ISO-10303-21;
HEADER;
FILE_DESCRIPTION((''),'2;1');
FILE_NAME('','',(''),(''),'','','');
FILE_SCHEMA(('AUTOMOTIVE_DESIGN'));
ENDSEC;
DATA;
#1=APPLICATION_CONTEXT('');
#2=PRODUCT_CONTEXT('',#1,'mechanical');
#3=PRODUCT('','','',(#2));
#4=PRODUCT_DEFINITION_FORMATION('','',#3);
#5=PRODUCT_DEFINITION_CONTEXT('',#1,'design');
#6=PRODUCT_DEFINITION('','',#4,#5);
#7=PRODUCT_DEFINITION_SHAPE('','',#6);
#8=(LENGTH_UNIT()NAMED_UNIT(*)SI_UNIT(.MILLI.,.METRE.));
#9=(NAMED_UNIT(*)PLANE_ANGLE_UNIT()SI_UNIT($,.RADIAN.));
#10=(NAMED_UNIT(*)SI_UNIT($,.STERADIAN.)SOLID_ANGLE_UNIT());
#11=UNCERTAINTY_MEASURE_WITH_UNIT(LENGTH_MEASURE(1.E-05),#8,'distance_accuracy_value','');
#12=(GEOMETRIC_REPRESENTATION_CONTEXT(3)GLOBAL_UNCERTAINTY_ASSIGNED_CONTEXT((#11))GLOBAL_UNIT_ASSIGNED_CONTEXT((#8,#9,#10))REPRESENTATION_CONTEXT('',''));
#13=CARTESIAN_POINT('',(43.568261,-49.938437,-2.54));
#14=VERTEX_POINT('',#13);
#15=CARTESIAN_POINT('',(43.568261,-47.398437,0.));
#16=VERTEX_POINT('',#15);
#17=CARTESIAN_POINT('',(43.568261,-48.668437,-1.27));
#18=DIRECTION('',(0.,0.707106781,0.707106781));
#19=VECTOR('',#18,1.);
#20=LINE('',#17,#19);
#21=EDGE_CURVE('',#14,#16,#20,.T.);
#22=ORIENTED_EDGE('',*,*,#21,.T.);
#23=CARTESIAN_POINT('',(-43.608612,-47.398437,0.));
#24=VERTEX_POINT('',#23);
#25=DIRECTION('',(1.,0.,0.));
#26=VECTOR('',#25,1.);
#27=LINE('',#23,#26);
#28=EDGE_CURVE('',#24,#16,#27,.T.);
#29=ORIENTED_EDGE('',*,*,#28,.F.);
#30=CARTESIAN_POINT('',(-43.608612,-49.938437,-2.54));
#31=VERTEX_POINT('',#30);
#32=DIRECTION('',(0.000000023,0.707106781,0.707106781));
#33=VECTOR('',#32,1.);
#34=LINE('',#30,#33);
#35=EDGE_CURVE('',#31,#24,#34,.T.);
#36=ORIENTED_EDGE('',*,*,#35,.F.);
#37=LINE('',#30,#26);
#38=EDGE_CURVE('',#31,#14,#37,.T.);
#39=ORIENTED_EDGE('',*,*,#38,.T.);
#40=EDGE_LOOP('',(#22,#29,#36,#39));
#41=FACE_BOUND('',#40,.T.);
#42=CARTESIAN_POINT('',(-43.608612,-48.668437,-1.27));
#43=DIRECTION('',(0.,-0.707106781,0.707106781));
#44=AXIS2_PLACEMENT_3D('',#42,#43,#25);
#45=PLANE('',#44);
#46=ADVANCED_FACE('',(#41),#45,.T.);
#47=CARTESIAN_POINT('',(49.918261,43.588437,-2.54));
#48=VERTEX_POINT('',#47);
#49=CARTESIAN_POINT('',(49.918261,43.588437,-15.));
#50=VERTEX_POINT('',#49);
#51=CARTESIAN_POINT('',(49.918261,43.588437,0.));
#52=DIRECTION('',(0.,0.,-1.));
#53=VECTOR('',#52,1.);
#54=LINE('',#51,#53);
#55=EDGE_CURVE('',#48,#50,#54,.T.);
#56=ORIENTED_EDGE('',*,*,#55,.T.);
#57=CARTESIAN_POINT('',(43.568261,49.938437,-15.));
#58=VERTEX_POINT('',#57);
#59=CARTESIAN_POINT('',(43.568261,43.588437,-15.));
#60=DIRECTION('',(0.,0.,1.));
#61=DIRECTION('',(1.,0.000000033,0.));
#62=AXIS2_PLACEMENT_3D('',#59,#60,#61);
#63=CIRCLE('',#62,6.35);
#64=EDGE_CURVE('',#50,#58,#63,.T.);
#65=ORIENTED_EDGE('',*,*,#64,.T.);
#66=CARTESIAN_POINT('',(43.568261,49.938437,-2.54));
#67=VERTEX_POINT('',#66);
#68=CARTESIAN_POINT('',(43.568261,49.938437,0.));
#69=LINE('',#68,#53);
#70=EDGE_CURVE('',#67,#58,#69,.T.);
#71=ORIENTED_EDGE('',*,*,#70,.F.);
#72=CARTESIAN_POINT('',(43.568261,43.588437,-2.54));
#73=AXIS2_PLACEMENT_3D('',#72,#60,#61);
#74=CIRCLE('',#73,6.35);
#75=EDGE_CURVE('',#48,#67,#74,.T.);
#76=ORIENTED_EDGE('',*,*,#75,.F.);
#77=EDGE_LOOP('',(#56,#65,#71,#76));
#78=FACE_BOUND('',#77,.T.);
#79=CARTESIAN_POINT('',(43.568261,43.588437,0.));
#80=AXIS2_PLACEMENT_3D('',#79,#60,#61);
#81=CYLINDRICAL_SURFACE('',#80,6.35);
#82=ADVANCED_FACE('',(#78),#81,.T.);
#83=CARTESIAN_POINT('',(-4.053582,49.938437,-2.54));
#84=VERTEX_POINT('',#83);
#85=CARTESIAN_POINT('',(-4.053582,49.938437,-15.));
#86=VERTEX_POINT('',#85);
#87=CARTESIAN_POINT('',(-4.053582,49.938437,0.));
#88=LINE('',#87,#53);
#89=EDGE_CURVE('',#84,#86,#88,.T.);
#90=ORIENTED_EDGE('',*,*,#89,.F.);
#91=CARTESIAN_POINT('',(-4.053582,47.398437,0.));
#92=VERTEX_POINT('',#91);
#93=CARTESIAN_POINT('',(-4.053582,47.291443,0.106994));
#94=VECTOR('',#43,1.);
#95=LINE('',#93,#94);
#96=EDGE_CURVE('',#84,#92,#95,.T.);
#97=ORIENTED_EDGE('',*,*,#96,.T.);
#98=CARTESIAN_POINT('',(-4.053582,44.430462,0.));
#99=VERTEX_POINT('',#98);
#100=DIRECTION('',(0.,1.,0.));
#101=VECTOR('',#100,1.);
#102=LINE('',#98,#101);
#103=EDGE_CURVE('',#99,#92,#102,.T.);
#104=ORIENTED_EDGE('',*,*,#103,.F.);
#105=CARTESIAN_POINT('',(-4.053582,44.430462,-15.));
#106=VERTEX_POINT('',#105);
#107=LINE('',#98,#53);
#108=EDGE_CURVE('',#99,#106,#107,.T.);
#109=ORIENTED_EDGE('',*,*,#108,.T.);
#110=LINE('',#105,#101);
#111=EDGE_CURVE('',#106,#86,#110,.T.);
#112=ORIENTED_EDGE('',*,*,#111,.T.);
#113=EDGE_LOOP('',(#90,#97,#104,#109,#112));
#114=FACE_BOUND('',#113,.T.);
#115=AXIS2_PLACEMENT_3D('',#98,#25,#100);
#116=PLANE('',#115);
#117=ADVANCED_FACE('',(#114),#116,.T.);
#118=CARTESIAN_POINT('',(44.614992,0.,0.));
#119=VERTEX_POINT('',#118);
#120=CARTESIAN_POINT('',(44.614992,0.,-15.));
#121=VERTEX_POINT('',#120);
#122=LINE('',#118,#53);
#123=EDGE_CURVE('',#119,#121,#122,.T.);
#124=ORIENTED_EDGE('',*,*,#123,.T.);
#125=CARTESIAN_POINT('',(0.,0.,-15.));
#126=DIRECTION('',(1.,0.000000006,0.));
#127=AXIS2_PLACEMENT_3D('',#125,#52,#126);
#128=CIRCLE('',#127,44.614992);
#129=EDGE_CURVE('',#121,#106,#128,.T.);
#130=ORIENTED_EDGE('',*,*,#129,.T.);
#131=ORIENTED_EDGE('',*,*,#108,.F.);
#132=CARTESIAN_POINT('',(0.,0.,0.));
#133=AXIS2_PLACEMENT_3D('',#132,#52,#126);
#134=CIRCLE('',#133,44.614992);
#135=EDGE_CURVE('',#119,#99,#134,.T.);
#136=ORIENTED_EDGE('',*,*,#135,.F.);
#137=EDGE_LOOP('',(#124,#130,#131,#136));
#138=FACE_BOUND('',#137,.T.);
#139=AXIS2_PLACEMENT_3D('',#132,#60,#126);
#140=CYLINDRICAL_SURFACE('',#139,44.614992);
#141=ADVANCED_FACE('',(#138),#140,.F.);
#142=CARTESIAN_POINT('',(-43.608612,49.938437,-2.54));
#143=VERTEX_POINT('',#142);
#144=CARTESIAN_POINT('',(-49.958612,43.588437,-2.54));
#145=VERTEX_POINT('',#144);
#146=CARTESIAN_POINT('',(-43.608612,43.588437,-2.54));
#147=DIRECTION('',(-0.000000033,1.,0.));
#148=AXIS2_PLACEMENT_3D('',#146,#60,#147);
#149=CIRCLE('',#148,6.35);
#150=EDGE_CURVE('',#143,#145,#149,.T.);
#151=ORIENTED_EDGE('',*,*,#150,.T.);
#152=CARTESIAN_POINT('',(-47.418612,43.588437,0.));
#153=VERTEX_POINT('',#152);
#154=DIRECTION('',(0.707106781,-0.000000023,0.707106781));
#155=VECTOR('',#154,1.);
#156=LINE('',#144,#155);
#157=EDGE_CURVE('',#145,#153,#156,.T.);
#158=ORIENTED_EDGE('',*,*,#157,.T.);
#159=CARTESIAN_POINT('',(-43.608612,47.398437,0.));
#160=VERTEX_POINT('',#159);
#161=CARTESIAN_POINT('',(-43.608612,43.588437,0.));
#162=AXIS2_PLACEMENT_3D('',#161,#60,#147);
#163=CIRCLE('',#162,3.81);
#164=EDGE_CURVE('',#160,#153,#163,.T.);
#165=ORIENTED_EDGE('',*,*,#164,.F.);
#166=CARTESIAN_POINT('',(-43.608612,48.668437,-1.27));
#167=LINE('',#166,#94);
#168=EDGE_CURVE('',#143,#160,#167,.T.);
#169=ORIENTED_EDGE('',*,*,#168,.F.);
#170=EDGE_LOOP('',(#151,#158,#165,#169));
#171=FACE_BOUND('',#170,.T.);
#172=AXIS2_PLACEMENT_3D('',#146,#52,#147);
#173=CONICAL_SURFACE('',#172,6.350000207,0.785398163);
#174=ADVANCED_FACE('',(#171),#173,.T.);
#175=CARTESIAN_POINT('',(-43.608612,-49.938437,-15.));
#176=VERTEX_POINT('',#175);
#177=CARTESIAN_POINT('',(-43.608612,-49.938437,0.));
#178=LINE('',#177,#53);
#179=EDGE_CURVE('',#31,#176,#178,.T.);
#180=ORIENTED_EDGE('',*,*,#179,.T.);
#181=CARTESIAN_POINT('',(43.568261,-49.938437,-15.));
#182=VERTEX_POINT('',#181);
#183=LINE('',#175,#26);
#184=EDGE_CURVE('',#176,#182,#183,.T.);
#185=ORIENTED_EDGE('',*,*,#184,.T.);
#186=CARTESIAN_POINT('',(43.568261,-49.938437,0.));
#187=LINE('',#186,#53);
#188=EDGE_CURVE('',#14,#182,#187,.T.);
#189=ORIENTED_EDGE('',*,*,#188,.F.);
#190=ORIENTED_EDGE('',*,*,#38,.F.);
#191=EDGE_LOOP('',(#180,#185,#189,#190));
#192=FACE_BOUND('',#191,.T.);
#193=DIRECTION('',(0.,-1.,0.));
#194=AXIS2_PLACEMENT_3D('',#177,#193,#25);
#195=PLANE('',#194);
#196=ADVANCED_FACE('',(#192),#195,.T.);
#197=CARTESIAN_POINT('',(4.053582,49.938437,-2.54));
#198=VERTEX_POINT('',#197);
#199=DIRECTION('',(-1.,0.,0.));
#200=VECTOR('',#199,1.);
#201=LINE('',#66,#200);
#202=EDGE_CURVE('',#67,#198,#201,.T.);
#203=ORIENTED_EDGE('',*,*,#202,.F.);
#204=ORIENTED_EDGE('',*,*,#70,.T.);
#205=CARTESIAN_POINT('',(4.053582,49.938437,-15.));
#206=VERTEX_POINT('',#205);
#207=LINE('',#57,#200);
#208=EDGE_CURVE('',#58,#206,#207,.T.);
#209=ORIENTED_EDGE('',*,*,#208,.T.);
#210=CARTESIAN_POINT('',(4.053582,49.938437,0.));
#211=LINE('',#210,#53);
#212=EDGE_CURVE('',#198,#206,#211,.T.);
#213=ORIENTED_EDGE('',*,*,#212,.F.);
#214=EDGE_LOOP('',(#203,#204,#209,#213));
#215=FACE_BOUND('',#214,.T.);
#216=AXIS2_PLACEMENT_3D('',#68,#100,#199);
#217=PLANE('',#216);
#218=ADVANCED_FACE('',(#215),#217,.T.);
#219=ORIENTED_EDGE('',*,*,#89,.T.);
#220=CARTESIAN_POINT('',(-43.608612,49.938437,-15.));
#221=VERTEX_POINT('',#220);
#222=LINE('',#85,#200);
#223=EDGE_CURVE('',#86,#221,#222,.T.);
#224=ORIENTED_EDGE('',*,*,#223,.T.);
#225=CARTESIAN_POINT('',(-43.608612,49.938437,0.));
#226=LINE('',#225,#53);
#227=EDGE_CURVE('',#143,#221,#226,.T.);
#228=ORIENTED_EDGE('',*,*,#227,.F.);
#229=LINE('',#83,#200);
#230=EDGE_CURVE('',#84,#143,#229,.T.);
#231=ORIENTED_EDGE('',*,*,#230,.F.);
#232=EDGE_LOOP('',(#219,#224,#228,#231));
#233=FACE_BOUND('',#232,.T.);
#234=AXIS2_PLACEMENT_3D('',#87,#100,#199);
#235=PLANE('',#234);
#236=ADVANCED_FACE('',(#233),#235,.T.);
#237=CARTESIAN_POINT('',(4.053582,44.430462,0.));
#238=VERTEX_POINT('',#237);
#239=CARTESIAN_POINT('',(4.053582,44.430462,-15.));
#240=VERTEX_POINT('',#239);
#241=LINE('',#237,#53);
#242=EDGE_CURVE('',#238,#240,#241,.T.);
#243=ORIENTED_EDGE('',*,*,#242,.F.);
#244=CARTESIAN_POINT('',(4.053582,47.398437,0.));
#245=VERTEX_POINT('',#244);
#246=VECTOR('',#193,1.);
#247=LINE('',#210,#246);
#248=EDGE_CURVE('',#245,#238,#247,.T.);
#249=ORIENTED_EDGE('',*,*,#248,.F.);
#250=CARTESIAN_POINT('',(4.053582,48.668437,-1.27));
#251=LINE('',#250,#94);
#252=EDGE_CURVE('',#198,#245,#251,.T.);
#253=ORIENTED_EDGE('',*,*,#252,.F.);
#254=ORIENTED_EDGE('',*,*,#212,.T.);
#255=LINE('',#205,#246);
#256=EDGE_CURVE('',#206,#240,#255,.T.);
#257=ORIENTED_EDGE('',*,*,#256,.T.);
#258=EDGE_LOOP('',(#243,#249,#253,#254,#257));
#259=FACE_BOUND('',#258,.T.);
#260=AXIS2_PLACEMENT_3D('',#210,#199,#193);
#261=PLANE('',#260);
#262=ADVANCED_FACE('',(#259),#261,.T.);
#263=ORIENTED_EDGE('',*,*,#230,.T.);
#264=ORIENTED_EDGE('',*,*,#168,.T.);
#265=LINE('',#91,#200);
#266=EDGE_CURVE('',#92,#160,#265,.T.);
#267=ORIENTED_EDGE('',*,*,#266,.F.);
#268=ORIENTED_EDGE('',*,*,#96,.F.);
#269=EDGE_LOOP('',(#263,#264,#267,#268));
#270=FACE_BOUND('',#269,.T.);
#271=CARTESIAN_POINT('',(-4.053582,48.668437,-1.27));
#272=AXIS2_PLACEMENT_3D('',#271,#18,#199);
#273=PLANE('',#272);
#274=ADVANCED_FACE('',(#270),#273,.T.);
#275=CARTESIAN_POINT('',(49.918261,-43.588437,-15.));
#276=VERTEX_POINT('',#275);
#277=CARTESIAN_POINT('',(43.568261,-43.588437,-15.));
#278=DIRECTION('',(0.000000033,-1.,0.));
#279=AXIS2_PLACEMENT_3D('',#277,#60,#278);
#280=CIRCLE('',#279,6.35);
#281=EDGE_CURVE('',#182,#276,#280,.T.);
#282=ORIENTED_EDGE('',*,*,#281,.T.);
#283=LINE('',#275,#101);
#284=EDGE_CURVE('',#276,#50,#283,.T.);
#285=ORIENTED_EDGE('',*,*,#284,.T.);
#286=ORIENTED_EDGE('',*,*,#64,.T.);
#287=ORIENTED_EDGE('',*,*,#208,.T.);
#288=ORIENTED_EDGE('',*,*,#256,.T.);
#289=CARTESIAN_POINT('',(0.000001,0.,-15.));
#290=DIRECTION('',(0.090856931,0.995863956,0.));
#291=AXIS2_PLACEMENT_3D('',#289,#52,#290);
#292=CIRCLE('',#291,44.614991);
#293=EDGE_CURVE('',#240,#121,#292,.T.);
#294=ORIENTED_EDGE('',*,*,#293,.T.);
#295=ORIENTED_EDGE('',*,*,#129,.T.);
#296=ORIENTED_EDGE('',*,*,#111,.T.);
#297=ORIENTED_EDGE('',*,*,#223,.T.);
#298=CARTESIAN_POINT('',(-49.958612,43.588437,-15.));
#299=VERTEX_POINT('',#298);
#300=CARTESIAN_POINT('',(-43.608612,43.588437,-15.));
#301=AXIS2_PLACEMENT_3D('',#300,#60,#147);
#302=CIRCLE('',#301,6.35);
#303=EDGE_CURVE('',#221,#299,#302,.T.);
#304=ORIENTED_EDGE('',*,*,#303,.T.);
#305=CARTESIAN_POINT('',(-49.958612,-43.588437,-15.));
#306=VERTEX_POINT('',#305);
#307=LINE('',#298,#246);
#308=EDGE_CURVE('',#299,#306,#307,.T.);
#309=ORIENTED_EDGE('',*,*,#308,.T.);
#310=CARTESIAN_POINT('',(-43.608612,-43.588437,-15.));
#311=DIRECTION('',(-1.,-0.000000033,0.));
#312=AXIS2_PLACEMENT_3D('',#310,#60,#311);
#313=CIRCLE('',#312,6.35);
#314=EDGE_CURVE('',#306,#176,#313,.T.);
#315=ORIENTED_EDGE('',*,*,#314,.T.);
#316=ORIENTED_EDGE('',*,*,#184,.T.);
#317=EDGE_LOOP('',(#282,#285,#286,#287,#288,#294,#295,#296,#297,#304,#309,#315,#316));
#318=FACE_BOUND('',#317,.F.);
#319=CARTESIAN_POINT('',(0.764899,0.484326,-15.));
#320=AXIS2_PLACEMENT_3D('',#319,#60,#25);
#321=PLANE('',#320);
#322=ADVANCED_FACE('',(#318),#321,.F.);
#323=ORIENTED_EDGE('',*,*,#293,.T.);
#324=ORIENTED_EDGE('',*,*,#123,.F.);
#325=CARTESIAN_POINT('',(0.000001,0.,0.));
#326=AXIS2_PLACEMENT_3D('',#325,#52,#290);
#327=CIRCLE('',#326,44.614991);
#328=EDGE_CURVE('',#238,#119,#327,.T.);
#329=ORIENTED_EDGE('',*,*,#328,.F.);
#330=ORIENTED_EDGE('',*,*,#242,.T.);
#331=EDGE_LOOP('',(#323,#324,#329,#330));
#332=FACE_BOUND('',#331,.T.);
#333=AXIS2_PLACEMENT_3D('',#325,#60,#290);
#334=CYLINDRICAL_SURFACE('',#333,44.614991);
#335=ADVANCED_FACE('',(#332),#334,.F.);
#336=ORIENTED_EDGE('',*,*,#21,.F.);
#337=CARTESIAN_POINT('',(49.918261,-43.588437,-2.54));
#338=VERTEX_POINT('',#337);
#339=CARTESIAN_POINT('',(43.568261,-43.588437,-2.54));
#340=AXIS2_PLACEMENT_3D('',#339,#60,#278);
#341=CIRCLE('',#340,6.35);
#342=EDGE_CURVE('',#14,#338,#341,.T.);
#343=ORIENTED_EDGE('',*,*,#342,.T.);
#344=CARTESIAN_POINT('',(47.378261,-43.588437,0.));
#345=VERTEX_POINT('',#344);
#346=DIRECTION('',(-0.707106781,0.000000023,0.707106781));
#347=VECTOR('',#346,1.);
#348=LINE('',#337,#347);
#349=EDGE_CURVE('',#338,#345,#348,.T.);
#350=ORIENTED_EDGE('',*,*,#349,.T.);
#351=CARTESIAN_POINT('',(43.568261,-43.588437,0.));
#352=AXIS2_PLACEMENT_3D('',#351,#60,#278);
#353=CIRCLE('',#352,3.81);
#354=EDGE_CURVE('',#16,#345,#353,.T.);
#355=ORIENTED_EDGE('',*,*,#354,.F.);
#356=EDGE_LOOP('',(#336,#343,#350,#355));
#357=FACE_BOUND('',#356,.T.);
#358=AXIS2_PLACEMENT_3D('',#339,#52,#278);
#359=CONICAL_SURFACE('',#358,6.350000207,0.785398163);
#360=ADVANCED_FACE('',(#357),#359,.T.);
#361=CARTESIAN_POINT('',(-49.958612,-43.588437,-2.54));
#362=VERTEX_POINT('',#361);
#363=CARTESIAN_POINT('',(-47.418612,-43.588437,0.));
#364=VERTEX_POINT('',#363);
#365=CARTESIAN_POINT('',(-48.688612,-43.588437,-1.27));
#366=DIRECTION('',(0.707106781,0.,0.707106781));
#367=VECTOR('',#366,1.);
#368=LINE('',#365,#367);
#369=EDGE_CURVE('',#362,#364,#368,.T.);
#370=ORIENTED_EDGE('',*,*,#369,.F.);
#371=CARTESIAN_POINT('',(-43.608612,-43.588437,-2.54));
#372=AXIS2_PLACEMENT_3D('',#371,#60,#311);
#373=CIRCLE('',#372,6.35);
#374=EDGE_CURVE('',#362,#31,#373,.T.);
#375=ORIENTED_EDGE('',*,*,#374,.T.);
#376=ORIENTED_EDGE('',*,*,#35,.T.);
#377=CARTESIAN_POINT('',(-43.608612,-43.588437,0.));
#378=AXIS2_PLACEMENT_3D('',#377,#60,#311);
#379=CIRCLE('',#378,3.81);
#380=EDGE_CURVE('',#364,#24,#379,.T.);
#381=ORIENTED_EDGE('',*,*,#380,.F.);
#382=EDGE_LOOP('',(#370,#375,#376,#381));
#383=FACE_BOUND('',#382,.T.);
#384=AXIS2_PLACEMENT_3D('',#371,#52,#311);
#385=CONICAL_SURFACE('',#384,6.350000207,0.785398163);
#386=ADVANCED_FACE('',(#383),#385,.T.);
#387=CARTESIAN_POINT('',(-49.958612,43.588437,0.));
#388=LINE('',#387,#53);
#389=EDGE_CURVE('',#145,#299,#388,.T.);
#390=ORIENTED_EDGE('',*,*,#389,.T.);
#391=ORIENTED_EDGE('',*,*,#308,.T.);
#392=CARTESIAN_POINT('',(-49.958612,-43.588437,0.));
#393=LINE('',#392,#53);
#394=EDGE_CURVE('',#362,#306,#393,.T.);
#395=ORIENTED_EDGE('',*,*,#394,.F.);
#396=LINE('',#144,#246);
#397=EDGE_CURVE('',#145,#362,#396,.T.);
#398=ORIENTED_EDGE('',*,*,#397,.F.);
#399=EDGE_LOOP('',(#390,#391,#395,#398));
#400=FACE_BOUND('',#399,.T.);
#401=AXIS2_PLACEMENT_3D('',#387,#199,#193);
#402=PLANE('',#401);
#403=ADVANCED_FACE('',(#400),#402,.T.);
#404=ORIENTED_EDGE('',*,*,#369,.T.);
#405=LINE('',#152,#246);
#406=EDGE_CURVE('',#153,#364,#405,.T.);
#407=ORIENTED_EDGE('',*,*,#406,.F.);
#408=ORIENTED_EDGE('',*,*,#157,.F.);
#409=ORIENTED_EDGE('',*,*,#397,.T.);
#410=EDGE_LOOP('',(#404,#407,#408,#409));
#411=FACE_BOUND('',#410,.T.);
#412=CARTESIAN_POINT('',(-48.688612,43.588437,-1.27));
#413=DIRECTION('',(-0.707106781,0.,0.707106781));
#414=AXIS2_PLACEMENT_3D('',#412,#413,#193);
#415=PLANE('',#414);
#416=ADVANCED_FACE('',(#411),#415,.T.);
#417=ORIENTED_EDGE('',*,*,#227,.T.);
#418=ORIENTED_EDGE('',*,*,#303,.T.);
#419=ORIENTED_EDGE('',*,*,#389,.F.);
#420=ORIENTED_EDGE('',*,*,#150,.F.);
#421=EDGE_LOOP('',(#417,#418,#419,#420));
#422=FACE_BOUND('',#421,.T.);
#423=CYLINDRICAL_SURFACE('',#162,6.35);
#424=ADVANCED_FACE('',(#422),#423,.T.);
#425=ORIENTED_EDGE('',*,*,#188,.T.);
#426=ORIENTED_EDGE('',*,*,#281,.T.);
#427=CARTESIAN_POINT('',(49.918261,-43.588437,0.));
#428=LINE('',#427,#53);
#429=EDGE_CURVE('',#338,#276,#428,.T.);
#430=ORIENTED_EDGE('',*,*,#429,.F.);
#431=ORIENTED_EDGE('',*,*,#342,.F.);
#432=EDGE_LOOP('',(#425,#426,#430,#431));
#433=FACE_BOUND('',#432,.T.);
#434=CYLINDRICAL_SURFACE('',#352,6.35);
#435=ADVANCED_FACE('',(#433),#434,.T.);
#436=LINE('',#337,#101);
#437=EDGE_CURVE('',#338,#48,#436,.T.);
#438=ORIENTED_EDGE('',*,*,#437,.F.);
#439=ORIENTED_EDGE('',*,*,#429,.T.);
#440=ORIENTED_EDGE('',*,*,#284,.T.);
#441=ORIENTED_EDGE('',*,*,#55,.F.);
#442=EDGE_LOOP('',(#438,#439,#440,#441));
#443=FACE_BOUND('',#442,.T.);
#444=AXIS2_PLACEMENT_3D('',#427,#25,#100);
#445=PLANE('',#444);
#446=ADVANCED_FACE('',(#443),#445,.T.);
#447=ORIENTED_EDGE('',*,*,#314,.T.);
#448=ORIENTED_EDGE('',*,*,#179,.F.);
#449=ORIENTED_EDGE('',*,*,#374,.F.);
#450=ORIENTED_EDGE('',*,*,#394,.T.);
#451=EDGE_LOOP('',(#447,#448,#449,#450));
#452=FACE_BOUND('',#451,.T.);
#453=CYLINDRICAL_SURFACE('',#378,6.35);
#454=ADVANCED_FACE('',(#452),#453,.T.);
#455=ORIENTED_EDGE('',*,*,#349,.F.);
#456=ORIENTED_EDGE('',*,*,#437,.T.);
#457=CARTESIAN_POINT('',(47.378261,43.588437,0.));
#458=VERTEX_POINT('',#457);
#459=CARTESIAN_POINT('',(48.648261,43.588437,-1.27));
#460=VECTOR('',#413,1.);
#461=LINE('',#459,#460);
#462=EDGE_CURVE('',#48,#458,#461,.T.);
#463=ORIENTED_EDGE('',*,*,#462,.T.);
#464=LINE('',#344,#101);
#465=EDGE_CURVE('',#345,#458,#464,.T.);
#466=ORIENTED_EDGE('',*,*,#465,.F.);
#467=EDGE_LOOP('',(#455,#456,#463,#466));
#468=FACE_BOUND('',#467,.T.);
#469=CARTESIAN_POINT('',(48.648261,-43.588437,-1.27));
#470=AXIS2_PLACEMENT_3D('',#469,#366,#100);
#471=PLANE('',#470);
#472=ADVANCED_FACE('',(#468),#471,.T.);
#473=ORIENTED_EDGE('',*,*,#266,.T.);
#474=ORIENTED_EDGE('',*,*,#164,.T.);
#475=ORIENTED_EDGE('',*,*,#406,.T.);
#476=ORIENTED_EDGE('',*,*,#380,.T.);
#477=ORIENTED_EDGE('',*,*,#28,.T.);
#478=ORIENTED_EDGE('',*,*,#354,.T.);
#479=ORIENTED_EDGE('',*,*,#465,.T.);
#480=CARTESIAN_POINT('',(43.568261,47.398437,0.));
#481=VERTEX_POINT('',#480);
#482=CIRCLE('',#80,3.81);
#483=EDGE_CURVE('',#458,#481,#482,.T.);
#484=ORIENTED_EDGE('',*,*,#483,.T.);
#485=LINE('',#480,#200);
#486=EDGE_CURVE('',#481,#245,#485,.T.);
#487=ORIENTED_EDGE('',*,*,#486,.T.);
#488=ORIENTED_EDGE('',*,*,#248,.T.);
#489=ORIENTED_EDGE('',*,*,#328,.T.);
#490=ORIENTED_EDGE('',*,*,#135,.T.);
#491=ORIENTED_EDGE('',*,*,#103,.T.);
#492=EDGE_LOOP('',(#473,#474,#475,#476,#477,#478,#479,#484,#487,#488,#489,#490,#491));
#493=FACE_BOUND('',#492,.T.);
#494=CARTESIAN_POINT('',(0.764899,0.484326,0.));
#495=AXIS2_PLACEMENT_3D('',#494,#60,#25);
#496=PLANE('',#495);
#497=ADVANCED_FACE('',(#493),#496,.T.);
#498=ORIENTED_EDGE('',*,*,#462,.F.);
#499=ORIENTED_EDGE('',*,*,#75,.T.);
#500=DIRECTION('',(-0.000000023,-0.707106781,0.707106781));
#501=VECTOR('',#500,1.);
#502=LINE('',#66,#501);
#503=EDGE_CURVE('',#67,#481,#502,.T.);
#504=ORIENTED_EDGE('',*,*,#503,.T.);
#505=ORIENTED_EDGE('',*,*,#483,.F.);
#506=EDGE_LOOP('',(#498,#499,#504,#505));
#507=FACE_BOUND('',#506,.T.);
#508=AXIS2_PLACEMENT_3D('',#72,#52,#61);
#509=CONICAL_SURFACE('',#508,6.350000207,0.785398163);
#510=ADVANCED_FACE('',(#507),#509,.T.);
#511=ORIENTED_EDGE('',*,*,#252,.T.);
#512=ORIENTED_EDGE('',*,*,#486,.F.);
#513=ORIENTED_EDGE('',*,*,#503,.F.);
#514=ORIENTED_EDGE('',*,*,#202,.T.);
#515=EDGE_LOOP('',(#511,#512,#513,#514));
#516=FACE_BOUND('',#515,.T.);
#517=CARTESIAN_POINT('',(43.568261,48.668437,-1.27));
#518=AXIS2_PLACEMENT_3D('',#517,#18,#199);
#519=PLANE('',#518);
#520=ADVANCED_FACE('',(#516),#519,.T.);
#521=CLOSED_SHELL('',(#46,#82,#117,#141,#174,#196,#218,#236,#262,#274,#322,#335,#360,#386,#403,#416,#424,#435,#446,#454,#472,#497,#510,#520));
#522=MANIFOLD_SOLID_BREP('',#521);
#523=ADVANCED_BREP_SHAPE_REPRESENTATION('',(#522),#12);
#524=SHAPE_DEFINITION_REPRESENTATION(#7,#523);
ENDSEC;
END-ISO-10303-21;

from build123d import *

# Parameters (mm, degrees)
F1_DEPTH = 15
F2_SIZE  = 2.54


with BuildPart() as f1:
    # F0 (on Top) → F1 (new body)
    with BuildSketch(Plane.XY):
        with BuildLine():
            Line((-43.608612, -49.938437), (43.568261, -49.938437))
            ThreePointArc((43.568261, -49.938437), (48.058389, -48.078565), (49.918261, -43.588437))
            Line((49.918261, -43.588437), (49.918261, 43.588437))
            ThreePointArc((49.918261, 43.588437), (48.058389, 48.078565), (43.568261, 49.938437))
            Line((43.568261, 49.938437), (4.053582, 49.938437))
            Line((4.053582, 49.938437), (4.053582, 44.430462))
            ThreePointArc((4.053582, 44.430462), (32.949568, 30.080284), (44.614992, 0))
            ThreePointArc((44.614992, 0), (-30.080284, -32.949568), (-4.053582, 44.430462))
            Line((-4.053582, 44.430462), (-4.053582, 49.938437))
            Line((-4.053582, 49.938437), (-43.608612, 49.938437))
            ThreePointArc((-43.608612, 49.938437), (-48.09874, 48.078565), (-49.958612, 43.588437))
            Line((-49.958612, 43.588437), (-49.958612, -43.588437))
            ThreePointArc((-49.958612, -43.588437), (-48.09874, -48.078565), (-43.608612, -49.938437))
        make_face()
    extrude(amount=-F1_DEPTH)

    # F2
    f2_edges = [f1.edges().sort_by_distance(p)[0] for p in [
        (-49.958612, 0, 0),
    ]]
    chamfer(f2_edges, length=F2_SIZE)


solid = f1.part
